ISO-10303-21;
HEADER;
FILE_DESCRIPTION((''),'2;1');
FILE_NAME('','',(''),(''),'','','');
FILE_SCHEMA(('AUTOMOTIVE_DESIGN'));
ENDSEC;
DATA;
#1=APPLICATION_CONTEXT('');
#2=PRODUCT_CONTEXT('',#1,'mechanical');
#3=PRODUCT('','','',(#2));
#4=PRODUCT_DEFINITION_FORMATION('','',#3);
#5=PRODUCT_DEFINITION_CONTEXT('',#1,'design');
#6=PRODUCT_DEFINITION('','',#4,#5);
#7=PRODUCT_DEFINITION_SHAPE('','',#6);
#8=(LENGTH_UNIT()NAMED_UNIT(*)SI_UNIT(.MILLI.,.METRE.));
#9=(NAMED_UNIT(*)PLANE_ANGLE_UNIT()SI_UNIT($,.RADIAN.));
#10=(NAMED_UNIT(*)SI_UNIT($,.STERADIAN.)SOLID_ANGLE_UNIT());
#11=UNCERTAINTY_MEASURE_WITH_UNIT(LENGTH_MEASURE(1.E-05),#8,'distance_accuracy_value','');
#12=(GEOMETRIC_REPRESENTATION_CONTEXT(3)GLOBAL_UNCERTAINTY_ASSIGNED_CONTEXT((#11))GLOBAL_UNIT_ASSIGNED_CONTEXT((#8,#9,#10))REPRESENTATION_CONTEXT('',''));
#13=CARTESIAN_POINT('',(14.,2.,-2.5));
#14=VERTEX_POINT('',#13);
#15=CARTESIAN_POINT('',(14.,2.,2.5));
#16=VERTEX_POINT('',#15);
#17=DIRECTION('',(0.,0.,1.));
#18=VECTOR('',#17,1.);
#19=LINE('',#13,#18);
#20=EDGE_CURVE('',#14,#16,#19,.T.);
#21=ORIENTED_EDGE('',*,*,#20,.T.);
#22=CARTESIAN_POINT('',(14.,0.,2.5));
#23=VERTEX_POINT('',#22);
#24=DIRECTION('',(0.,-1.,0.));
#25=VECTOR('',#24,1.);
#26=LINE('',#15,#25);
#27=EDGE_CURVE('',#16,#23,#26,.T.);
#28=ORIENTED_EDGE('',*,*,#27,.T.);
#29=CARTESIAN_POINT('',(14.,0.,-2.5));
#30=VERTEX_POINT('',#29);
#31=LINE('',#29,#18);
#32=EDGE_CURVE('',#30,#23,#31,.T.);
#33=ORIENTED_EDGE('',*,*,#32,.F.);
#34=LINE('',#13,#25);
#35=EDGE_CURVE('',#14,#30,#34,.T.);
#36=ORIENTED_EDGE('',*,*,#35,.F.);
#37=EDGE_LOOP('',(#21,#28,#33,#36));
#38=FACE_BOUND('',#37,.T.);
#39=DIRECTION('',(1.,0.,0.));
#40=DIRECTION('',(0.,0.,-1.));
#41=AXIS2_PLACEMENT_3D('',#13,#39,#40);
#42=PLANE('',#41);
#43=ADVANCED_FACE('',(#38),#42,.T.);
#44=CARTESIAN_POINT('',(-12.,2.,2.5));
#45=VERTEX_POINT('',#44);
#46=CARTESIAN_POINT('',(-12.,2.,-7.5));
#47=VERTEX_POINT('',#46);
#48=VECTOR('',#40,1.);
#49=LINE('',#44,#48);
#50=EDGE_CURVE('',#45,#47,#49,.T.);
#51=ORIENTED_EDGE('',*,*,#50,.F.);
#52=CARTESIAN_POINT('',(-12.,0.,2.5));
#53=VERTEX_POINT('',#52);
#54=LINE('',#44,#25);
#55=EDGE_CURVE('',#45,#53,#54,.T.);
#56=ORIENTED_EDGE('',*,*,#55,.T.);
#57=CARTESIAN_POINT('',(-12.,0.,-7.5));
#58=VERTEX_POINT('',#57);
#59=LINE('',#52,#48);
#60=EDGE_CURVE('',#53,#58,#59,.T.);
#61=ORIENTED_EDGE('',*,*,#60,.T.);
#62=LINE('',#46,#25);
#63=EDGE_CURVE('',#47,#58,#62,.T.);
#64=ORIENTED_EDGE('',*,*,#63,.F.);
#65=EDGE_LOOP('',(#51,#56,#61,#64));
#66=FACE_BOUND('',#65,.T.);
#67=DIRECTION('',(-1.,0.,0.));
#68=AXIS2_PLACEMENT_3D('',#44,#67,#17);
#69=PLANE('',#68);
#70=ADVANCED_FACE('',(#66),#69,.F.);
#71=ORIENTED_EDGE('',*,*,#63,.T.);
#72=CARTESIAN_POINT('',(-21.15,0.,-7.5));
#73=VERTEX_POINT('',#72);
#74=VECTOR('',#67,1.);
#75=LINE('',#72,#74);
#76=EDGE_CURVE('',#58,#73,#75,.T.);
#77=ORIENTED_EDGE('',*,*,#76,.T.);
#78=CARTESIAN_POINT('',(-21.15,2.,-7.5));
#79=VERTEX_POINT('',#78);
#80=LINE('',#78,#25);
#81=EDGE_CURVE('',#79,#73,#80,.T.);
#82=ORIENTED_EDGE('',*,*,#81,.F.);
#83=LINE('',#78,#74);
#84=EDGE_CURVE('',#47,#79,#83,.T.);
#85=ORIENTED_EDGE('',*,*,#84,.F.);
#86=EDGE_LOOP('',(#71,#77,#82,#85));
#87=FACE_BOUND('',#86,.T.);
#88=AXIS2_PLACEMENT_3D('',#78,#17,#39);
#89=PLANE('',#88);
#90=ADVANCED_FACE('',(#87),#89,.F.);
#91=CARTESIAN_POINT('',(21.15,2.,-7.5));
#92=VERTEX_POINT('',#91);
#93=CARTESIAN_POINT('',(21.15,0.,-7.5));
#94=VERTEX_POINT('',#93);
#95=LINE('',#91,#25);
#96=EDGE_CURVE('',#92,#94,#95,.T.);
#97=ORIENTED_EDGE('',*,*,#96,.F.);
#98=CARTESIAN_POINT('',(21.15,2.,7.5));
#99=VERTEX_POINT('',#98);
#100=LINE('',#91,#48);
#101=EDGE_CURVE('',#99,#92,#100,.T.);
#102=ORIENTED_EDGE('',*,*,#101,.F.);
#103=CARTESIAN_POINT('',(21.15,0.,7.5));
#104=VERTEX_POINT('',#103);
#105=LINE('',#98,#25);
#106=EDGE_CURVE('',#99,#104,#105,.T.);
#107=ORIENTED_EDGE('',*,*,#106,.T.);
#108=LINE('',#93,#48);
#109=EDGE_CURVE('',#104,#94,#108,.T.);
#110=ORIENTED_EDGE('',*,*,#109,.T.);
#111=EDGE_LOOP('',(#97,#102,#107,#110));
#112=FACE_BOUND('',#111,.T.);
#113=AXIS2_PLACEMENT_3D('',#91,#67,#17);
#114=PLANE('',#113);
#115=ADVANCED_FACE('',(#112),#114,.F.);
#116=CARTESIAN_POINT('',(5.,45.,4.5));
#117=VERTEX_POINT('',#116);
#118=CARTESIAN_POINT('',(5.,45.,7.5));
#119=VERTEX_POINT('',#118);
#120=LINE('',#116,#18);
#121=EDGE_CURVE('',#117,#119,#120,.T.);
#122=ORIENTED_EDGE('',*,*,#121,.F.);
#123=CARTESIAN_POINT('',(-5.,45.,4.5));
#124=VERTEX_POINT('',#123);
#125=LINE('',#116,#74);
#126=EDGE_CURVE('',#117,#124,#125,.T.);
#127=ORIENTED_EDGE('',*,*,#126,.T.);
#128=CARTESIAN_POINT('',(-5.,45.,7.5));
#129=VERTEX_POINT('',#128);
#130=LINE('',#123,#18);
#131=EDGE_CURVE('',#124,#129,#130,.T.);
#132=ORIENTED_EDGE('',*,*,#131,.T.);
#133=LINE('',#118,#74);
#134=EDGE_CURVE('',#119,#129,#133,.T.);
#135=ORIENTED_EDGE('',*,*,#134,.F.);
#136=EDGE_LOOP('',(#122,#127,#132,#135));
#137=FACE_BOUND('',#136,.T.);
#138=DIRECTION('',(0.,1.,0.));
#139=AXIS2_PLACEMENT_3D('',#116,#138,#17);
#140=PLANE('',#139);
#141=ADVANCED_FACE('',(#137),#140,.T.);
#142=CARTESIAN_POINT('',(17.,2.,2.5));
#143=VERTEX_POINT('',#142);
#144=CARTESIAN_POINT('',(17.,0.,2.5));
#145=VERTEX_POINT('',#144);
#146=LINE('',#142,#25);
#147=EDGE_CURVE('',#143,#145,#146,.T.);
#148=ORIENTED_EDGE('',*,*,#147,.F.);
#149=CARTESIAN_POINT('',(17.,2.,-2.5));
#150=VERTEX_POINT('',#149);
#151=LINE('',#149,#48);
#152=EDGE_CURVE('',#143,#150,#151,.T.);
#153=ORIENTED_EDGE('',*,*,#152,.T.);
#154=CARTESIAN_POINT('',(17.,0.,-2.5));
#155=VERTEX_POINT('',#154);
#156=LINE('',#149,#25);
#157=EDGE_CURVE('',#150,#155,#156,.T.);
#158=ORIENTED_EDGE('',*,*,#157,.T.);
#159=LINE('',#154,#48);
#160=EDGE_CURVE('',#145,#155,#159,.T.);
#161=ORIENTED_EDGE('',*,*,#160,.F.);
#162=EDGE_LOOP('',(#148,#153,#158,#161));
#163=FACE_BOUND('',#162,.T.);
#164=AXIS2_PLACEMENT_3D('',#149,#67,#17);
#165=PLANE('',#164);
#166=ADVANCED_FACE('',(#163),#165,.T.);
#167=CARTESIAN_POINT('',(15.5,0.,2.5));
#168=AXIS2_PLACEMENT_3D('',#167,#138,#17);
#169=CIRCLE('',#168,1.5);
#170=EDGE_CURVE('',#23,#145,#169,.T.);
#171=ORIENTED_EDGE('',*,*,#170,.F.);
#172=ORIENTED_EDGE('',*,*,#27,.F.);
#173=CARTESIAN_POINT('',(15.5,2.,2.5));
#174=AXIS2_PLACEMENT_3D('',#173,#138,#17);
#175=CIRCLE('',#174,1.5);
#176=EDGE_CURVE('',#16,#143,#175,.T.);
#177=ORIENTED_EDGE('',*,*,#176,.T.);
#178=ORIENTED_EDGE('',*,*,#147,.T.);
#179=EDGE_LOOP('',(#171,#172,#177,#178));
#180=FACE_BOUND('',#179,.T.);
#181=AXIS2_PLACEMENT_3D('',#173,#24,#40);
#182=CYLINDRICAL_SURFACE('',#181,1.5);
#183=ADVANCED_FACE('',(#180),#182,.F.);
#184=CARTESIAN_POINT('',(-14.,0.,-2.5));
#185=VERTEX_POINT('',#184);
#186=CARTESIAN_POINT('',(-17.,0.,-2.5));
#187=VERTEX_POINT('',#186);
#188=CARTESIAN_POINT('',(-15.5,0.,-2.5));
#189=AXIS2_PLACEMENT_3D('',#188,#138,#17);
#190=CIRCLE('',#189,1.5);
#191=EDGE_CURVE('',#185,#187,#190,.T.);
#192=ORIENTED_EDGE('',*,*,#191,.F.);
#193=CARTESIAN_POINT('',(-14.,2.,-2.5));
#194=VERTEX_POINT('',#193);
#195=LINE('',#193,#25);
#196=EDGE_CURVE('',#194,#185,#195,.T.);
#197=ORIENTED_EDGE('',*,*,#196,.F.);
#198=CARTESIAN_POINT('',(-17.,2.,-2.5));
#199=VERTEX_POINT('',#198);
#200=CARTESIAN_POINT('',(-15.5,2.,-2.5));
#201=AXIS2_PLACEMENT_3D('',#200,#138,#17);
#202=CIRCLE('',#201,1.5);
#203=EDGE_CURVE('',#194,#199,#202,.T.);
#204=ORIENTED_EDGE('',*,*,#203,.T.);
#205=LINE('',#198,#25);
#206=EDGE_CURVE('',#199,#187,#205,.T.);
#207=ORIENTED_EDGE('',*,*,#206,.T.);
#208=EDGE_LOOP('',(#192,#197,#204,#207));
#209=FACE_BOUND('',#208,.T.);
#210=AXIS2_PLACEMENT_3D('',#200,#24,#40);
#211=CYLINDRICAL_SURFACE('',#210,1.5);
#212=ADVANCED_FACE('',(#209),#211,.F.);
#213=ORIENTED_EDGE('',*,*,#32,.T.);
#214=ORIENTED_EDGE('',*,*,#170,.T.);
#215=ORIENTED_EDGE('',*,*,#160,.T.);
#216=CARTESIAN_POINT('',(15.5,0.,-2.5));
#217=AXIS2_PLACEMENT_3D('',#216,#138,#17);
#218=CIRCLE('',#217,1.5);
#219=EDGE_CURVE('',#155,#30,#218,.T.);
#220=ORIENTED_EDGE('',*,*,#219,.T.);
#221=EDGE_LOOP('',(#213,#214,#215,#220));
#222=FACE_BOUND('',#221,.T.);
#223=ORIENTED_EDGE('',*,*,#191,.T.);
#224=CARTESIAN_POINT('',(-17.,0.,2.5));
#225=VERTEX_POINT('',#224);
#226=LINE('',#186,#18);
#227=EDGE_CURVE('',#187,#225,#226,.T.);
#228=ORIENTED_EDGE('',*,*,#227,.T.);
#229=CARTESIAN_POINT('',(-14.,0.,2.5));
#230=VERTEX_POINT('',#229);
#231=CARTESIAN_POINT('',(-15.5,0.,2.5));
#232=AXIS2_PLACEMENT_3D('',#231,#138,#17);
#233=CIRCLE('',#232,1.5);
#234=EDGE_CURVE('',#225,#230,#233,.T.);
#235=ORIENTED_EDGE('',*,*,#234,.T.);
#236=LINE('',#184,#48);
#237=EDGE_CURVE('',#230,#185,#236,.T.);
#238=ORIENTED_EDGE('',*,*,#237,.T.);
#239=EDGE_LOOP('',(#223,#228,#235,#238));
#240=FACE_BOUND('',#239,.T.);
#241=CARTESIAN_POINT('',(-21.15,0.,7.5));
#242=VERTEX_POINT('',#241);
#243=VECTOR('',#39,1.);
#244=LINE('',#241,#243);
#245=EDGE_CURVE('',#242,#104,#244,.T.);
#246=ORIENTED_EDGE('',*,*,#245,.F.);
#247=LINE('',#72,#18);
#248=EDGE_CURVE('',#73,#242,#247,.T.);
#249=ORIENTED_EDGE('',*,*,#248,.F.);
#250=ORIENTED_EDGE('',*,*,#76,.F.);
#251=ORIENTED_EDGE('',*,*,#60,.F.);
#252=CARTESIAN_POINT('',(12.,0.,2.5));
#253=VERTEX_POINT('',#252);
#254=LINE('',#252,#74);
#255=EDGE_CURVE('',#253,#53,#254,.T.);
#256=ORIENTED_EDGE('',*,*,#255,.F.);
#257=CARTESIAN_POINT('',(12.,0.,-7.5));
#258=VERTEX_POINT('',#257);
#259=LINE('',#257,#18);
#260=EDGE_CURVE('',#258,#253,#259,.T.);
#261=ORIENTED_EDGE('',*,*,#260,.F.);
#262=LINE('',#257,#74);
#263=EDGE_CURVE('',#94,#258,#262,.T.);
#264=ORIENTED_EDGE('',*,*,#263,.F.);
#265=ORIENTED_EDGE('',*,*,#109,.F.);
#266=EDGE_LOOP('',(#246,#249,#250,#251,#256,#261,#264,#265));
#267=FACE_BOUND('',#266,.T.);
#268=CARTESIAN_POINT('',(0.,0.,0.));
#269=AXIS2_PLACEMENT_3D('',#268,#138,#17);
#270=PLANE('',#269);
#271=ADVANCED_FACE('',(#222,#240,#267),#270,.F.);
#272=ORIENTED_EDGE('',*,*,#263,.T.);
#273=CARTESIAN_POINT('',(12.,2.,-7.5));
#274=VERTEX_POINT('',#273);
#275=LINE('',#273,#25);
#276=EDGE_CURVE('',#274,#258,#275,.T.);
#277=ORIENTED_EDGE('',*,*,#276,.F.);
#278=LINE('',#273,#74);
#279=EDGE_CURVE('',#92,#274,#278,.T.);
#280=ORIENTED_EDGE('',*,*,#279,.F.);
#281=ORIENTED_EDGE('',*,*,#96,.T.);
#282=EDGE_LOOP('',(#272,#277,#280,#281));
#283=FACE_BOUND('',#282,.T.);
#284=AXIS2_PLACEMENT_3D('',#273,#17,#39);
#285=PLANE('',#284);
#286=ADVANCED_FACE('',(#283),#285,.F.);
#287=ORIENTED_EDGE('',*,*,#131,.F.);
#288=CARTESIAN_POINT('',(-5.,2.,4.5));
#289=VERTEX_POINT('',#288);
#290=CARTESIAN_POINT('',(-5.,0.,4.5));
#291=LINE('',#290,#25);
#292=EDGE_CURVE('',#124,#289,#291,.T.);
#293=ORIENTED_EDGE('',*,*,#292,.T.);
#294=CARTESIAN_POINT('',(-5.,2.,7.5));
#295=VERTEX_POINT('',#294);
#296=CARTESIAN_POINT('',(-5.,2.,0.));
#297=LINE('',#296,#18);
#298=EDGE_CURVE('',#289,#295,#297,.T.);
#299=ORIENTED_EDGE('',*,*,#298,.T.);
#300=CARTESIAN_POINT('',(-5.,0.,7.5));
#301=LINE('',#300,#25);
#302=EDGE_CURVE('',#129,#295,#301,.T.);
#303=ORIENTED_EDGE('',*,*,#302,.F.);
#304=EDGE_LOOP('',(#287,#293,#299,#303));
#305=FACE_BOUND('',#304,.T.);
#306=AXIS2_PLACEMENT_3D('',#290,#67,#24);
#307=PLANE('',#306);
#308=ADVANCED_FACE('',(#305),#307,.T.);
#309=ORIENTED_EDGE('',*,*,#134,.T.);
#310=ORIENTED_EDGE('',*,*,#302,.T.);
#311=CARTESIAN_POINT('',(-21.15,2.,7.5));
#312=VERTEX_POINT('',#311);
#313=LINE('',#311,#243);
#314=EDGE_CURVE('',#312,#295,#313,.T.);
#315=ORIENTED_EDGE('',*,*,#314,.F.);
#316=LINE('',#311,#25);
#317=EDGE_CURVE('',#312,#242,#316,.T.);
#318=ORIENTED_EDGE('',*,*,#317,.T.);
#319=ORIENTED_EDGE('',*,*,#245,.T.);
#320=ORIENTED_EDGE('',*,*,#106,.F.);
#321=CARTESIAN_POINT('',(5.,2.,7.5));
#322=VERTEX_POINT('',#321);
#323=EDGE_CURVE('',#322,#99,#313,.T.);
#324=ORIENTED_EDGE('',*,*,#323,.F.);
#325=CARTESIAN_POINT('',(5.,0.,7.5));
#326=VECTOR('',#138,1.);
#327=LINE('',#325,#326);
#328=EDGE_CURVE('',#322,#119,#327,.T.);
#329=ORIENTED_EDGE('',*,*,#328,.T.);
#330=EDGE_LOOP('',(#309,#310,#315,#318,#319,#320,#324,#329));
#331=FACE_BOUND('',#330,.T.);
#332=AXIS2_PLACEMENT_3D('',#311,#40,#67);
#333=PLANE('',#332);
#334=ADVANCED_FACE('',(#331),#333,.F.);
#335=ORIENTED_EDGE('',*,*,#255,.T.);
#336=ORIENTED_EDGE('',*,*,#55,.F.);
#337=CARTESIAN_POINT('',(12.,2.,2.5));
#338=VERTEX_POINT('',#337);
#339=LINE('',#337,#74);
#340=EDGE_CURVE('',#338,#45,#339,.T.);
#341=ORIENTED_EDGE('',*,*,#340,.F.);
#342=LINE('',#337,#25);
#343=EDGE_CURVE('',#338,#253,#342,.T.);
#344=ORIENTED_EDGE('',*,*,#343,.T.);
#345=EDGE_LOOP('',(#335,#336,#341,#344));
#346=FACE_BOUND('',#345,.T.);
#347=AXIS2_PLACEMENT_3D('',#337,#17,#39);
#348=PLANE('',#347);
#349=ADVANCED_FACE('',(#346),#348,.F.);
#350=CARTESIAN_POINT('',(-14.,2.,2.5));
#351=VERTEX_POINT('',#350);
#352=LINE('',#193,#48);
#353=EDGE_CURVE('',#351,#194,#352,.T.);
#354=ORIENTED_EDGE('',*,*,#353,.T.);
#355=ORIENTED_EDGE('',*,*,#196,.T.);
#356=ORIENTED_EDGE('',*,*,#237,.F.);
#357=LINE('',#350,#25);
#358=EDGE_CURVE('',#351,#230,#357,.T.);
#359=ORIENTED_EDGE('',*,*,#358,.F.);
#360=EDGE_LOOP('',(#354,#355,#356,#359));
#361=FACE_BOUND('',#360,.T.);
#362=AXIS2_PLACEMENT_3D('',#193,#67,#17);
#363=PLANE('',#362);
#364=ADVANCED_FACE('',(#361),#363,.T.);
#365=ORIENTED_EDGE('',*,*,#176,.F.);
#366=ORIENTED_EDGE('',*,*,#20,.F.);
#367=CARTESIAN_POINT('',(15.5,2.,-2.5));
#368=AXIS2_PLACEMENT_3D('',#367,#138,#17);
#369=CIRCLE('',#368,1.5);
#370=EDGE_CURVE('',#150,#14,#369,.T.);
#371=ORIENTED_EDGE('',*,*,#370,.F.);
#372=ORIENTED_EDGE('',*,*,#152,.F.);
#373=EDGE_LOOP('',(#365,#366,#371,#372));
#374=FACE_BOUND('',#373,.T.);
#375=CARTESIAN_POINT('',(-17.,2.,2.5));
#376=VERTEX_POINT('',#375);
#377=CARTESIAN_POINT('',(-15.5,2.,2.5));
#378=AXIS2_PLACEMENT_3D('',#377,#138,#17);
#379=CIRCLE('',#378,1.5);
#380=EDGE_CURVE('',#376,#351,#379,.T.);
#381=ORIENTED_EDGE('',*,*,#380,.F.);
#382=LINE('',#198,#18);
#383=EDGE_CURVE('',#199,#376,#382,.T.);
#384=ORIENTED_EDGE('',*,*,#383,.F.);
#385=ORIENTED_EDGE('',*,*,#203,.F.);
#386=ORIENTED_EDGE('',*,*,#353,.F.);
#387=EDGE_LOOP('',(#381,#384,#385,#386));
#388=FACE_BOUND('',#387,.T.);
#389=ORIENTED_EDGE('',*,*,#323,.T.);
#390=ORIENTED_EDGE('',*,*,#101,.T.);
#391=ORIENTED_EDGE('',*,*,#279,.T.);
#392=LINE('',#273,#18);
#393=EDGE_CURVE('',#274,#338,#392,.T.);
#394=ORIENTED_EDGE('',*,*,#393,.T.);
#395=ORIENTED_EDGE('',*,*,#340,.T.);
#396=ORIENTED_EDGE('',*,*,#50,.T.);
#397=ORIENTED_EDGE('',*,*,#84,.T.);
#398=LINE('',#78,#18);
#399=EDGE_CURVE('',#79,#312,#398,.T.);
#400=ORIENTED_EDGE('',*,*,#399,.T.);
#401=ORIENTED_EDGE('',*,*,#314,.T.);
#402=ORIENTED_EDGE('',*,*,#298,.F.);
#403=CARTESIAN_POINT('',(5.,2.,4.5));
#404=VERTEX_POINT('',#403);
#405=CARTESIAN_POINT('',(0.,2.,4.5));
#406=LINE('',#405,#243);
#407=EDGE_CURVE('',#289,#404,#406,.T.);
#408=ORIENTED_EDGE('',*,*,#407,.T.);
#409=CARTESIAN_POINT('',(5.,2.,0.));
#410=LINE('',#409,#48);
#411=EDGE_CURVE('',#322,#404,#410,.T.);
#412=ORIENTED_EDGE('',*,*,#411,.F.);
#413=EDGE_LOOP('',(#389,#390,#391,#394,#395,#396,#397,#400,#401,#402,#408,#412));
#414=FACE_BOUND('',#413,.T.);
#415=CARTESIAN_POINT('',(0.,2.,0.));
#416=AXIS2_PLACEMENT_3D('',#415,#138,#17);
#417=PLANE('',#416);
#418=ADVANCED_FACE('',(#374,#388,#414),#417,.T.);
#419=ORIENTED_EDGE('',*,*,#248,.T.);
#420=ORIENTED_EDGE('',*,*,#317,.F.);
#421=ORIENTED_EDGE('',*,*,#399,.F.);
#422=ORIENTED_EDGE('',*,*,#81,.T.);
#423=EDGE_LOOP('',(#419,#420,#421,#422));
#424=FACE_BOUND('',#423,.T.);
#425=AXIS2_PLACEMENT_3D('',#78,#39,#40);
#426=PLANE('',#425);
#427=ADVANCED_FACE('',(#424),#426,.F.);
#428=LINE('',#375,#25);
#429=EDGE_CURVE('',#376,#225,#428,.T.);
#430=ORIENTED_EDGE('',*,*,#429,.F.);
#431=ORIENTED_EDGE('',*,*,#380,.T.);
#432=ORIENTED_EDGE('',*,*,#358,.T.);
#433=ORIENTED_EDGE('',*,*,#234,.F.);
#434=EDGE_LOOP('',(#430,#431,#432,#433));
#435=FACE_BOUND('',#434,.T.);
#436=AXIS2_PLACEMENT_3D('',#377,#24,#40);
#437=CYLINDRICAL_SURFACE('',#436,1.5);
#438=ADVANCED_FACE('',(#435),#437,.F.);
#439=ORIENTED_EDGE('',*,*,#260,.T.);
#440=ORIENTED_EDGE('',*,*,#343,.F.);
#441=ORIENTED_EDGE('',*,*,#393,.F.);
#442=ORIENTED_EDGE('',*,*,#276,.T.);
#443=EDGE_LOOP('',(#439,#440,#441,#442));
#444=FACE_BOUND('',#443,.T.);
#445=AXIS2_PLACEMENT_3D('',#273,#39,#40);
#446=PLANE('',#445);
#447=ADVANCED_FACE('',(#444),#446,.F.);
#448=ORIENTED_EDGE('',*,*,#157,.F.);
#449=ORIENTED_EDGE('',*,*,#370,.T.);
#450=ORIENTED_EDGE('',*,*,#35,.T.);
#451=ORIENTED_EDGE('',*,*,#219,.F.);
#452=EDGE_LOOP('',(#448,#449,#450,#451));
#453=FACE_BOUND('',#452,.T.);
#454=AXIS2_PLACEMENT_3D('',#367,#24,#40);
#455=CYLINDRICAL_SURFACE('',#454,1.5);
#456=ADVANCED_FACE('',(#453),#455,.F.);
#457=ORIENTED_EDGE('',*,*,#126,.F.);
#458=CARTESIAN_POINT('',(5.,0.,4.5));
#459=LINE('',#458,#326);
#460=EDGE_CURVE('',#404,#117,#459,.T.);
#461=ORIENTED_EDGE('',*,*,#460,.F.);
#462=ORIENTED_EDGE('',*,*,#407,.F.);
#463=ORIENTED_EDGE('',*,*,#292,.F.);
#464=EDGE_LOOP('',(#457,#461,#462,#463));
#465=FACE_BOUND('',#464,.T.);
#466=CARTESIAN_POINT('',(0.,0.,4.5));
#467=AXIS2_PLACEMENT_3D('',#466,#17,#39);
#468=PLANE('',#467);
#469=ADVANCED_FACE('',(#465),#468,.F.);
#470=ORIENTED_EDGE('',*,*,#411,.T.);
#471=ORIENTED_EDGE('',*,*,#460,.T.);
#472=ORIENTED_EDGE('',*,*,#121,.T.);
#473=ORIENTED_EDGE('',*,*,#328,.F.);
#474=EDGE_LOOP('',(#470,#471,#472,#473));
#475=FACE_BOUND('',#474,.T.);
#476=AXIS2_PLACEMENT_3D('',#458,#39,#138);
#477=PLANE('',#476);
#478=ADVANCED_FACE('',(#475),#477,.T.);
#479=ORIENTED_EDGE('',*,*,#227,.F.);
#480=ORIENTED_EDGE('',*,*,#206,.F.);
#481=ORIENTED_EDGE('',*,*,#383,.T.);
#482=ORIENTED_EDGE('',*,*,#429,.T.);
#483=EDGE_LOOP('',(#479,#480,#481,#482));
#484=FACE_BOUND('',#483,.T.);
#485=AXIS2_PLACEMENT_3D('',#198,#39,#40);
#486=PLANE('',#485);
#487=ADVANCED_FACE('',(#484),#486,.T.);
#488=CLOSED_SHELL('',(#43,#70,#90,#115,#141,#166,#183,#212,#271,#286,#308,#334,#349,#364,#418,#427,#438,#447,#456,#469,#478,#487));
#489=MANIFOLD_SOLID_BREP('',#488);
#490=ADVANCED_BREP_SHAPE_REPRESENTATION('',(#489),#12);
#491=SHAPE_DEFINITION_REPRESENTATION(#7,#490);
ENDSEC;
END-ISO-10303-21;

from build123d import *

# Parameters (mm, degrees)
DODANIE_WYCI_GNI_CIE1_DEPTH = 2
SZKIC4_W                    = 10
SZKIC4_H                    = 45
DODANIE_WYCI_GNI_CIE2_DEPTH = 3


with BuildPart() as part:
    # Szkic1 → Dodanie-wyciągnięcie1 (new body)
    with BuildSketch(Plane(origin=(0, 0, 0), x_dir=(1, 0, 0), z_dir=(0, 1, 0))):
        Polygon((-21.15, 7.5), (-12, 7.5), (-12, -2.5), (12, -2.5), (12, 7.5), (21.15, 7.5), (21.15, -7.5), (-21.15, -7.5), align=None)
        with BuildLine():
            Line((-14, 2.5), (-14, -2.5))
            ThreePointArc((-14, -2.5), (-15.5, -4), (-17, -2.5))
            Line((-17, -2.5), (-17, 2.5))
            ThreePointArc((-17, 2.5), (-15.5, 4), (-14, 2.5))
        make_face(mode=Mode.SUBTRACT)
        with BuildLine():
            Line((17, 2.5), (17, -2.5))
            ThreePointArc((17, -2.5), (15.5, -4), (14, -2.5))
            Line((14, -2.5), (14, 2.5))
            ThreePointArc((14, 2.5), (15.5, 4), (17, 2.5))
        make_face(mode=Mode.SUBTRACT)
    extrude(amount=DODANIE_WYCI_GNI_CIE1_DEPTH)

    # Szkic4 → Dodanie-wyciągnięcie2 (add)
    with BuildSketch(Plane.XY.offset(7.5)):
        with Locations((0, 22.5)):
            Rectangle(SZKIC4_W, SZKIC4_H)
    extrude(amount=-DODANIE_WYCI_GNI_CIE2_DEPTH)


solid = part.part
